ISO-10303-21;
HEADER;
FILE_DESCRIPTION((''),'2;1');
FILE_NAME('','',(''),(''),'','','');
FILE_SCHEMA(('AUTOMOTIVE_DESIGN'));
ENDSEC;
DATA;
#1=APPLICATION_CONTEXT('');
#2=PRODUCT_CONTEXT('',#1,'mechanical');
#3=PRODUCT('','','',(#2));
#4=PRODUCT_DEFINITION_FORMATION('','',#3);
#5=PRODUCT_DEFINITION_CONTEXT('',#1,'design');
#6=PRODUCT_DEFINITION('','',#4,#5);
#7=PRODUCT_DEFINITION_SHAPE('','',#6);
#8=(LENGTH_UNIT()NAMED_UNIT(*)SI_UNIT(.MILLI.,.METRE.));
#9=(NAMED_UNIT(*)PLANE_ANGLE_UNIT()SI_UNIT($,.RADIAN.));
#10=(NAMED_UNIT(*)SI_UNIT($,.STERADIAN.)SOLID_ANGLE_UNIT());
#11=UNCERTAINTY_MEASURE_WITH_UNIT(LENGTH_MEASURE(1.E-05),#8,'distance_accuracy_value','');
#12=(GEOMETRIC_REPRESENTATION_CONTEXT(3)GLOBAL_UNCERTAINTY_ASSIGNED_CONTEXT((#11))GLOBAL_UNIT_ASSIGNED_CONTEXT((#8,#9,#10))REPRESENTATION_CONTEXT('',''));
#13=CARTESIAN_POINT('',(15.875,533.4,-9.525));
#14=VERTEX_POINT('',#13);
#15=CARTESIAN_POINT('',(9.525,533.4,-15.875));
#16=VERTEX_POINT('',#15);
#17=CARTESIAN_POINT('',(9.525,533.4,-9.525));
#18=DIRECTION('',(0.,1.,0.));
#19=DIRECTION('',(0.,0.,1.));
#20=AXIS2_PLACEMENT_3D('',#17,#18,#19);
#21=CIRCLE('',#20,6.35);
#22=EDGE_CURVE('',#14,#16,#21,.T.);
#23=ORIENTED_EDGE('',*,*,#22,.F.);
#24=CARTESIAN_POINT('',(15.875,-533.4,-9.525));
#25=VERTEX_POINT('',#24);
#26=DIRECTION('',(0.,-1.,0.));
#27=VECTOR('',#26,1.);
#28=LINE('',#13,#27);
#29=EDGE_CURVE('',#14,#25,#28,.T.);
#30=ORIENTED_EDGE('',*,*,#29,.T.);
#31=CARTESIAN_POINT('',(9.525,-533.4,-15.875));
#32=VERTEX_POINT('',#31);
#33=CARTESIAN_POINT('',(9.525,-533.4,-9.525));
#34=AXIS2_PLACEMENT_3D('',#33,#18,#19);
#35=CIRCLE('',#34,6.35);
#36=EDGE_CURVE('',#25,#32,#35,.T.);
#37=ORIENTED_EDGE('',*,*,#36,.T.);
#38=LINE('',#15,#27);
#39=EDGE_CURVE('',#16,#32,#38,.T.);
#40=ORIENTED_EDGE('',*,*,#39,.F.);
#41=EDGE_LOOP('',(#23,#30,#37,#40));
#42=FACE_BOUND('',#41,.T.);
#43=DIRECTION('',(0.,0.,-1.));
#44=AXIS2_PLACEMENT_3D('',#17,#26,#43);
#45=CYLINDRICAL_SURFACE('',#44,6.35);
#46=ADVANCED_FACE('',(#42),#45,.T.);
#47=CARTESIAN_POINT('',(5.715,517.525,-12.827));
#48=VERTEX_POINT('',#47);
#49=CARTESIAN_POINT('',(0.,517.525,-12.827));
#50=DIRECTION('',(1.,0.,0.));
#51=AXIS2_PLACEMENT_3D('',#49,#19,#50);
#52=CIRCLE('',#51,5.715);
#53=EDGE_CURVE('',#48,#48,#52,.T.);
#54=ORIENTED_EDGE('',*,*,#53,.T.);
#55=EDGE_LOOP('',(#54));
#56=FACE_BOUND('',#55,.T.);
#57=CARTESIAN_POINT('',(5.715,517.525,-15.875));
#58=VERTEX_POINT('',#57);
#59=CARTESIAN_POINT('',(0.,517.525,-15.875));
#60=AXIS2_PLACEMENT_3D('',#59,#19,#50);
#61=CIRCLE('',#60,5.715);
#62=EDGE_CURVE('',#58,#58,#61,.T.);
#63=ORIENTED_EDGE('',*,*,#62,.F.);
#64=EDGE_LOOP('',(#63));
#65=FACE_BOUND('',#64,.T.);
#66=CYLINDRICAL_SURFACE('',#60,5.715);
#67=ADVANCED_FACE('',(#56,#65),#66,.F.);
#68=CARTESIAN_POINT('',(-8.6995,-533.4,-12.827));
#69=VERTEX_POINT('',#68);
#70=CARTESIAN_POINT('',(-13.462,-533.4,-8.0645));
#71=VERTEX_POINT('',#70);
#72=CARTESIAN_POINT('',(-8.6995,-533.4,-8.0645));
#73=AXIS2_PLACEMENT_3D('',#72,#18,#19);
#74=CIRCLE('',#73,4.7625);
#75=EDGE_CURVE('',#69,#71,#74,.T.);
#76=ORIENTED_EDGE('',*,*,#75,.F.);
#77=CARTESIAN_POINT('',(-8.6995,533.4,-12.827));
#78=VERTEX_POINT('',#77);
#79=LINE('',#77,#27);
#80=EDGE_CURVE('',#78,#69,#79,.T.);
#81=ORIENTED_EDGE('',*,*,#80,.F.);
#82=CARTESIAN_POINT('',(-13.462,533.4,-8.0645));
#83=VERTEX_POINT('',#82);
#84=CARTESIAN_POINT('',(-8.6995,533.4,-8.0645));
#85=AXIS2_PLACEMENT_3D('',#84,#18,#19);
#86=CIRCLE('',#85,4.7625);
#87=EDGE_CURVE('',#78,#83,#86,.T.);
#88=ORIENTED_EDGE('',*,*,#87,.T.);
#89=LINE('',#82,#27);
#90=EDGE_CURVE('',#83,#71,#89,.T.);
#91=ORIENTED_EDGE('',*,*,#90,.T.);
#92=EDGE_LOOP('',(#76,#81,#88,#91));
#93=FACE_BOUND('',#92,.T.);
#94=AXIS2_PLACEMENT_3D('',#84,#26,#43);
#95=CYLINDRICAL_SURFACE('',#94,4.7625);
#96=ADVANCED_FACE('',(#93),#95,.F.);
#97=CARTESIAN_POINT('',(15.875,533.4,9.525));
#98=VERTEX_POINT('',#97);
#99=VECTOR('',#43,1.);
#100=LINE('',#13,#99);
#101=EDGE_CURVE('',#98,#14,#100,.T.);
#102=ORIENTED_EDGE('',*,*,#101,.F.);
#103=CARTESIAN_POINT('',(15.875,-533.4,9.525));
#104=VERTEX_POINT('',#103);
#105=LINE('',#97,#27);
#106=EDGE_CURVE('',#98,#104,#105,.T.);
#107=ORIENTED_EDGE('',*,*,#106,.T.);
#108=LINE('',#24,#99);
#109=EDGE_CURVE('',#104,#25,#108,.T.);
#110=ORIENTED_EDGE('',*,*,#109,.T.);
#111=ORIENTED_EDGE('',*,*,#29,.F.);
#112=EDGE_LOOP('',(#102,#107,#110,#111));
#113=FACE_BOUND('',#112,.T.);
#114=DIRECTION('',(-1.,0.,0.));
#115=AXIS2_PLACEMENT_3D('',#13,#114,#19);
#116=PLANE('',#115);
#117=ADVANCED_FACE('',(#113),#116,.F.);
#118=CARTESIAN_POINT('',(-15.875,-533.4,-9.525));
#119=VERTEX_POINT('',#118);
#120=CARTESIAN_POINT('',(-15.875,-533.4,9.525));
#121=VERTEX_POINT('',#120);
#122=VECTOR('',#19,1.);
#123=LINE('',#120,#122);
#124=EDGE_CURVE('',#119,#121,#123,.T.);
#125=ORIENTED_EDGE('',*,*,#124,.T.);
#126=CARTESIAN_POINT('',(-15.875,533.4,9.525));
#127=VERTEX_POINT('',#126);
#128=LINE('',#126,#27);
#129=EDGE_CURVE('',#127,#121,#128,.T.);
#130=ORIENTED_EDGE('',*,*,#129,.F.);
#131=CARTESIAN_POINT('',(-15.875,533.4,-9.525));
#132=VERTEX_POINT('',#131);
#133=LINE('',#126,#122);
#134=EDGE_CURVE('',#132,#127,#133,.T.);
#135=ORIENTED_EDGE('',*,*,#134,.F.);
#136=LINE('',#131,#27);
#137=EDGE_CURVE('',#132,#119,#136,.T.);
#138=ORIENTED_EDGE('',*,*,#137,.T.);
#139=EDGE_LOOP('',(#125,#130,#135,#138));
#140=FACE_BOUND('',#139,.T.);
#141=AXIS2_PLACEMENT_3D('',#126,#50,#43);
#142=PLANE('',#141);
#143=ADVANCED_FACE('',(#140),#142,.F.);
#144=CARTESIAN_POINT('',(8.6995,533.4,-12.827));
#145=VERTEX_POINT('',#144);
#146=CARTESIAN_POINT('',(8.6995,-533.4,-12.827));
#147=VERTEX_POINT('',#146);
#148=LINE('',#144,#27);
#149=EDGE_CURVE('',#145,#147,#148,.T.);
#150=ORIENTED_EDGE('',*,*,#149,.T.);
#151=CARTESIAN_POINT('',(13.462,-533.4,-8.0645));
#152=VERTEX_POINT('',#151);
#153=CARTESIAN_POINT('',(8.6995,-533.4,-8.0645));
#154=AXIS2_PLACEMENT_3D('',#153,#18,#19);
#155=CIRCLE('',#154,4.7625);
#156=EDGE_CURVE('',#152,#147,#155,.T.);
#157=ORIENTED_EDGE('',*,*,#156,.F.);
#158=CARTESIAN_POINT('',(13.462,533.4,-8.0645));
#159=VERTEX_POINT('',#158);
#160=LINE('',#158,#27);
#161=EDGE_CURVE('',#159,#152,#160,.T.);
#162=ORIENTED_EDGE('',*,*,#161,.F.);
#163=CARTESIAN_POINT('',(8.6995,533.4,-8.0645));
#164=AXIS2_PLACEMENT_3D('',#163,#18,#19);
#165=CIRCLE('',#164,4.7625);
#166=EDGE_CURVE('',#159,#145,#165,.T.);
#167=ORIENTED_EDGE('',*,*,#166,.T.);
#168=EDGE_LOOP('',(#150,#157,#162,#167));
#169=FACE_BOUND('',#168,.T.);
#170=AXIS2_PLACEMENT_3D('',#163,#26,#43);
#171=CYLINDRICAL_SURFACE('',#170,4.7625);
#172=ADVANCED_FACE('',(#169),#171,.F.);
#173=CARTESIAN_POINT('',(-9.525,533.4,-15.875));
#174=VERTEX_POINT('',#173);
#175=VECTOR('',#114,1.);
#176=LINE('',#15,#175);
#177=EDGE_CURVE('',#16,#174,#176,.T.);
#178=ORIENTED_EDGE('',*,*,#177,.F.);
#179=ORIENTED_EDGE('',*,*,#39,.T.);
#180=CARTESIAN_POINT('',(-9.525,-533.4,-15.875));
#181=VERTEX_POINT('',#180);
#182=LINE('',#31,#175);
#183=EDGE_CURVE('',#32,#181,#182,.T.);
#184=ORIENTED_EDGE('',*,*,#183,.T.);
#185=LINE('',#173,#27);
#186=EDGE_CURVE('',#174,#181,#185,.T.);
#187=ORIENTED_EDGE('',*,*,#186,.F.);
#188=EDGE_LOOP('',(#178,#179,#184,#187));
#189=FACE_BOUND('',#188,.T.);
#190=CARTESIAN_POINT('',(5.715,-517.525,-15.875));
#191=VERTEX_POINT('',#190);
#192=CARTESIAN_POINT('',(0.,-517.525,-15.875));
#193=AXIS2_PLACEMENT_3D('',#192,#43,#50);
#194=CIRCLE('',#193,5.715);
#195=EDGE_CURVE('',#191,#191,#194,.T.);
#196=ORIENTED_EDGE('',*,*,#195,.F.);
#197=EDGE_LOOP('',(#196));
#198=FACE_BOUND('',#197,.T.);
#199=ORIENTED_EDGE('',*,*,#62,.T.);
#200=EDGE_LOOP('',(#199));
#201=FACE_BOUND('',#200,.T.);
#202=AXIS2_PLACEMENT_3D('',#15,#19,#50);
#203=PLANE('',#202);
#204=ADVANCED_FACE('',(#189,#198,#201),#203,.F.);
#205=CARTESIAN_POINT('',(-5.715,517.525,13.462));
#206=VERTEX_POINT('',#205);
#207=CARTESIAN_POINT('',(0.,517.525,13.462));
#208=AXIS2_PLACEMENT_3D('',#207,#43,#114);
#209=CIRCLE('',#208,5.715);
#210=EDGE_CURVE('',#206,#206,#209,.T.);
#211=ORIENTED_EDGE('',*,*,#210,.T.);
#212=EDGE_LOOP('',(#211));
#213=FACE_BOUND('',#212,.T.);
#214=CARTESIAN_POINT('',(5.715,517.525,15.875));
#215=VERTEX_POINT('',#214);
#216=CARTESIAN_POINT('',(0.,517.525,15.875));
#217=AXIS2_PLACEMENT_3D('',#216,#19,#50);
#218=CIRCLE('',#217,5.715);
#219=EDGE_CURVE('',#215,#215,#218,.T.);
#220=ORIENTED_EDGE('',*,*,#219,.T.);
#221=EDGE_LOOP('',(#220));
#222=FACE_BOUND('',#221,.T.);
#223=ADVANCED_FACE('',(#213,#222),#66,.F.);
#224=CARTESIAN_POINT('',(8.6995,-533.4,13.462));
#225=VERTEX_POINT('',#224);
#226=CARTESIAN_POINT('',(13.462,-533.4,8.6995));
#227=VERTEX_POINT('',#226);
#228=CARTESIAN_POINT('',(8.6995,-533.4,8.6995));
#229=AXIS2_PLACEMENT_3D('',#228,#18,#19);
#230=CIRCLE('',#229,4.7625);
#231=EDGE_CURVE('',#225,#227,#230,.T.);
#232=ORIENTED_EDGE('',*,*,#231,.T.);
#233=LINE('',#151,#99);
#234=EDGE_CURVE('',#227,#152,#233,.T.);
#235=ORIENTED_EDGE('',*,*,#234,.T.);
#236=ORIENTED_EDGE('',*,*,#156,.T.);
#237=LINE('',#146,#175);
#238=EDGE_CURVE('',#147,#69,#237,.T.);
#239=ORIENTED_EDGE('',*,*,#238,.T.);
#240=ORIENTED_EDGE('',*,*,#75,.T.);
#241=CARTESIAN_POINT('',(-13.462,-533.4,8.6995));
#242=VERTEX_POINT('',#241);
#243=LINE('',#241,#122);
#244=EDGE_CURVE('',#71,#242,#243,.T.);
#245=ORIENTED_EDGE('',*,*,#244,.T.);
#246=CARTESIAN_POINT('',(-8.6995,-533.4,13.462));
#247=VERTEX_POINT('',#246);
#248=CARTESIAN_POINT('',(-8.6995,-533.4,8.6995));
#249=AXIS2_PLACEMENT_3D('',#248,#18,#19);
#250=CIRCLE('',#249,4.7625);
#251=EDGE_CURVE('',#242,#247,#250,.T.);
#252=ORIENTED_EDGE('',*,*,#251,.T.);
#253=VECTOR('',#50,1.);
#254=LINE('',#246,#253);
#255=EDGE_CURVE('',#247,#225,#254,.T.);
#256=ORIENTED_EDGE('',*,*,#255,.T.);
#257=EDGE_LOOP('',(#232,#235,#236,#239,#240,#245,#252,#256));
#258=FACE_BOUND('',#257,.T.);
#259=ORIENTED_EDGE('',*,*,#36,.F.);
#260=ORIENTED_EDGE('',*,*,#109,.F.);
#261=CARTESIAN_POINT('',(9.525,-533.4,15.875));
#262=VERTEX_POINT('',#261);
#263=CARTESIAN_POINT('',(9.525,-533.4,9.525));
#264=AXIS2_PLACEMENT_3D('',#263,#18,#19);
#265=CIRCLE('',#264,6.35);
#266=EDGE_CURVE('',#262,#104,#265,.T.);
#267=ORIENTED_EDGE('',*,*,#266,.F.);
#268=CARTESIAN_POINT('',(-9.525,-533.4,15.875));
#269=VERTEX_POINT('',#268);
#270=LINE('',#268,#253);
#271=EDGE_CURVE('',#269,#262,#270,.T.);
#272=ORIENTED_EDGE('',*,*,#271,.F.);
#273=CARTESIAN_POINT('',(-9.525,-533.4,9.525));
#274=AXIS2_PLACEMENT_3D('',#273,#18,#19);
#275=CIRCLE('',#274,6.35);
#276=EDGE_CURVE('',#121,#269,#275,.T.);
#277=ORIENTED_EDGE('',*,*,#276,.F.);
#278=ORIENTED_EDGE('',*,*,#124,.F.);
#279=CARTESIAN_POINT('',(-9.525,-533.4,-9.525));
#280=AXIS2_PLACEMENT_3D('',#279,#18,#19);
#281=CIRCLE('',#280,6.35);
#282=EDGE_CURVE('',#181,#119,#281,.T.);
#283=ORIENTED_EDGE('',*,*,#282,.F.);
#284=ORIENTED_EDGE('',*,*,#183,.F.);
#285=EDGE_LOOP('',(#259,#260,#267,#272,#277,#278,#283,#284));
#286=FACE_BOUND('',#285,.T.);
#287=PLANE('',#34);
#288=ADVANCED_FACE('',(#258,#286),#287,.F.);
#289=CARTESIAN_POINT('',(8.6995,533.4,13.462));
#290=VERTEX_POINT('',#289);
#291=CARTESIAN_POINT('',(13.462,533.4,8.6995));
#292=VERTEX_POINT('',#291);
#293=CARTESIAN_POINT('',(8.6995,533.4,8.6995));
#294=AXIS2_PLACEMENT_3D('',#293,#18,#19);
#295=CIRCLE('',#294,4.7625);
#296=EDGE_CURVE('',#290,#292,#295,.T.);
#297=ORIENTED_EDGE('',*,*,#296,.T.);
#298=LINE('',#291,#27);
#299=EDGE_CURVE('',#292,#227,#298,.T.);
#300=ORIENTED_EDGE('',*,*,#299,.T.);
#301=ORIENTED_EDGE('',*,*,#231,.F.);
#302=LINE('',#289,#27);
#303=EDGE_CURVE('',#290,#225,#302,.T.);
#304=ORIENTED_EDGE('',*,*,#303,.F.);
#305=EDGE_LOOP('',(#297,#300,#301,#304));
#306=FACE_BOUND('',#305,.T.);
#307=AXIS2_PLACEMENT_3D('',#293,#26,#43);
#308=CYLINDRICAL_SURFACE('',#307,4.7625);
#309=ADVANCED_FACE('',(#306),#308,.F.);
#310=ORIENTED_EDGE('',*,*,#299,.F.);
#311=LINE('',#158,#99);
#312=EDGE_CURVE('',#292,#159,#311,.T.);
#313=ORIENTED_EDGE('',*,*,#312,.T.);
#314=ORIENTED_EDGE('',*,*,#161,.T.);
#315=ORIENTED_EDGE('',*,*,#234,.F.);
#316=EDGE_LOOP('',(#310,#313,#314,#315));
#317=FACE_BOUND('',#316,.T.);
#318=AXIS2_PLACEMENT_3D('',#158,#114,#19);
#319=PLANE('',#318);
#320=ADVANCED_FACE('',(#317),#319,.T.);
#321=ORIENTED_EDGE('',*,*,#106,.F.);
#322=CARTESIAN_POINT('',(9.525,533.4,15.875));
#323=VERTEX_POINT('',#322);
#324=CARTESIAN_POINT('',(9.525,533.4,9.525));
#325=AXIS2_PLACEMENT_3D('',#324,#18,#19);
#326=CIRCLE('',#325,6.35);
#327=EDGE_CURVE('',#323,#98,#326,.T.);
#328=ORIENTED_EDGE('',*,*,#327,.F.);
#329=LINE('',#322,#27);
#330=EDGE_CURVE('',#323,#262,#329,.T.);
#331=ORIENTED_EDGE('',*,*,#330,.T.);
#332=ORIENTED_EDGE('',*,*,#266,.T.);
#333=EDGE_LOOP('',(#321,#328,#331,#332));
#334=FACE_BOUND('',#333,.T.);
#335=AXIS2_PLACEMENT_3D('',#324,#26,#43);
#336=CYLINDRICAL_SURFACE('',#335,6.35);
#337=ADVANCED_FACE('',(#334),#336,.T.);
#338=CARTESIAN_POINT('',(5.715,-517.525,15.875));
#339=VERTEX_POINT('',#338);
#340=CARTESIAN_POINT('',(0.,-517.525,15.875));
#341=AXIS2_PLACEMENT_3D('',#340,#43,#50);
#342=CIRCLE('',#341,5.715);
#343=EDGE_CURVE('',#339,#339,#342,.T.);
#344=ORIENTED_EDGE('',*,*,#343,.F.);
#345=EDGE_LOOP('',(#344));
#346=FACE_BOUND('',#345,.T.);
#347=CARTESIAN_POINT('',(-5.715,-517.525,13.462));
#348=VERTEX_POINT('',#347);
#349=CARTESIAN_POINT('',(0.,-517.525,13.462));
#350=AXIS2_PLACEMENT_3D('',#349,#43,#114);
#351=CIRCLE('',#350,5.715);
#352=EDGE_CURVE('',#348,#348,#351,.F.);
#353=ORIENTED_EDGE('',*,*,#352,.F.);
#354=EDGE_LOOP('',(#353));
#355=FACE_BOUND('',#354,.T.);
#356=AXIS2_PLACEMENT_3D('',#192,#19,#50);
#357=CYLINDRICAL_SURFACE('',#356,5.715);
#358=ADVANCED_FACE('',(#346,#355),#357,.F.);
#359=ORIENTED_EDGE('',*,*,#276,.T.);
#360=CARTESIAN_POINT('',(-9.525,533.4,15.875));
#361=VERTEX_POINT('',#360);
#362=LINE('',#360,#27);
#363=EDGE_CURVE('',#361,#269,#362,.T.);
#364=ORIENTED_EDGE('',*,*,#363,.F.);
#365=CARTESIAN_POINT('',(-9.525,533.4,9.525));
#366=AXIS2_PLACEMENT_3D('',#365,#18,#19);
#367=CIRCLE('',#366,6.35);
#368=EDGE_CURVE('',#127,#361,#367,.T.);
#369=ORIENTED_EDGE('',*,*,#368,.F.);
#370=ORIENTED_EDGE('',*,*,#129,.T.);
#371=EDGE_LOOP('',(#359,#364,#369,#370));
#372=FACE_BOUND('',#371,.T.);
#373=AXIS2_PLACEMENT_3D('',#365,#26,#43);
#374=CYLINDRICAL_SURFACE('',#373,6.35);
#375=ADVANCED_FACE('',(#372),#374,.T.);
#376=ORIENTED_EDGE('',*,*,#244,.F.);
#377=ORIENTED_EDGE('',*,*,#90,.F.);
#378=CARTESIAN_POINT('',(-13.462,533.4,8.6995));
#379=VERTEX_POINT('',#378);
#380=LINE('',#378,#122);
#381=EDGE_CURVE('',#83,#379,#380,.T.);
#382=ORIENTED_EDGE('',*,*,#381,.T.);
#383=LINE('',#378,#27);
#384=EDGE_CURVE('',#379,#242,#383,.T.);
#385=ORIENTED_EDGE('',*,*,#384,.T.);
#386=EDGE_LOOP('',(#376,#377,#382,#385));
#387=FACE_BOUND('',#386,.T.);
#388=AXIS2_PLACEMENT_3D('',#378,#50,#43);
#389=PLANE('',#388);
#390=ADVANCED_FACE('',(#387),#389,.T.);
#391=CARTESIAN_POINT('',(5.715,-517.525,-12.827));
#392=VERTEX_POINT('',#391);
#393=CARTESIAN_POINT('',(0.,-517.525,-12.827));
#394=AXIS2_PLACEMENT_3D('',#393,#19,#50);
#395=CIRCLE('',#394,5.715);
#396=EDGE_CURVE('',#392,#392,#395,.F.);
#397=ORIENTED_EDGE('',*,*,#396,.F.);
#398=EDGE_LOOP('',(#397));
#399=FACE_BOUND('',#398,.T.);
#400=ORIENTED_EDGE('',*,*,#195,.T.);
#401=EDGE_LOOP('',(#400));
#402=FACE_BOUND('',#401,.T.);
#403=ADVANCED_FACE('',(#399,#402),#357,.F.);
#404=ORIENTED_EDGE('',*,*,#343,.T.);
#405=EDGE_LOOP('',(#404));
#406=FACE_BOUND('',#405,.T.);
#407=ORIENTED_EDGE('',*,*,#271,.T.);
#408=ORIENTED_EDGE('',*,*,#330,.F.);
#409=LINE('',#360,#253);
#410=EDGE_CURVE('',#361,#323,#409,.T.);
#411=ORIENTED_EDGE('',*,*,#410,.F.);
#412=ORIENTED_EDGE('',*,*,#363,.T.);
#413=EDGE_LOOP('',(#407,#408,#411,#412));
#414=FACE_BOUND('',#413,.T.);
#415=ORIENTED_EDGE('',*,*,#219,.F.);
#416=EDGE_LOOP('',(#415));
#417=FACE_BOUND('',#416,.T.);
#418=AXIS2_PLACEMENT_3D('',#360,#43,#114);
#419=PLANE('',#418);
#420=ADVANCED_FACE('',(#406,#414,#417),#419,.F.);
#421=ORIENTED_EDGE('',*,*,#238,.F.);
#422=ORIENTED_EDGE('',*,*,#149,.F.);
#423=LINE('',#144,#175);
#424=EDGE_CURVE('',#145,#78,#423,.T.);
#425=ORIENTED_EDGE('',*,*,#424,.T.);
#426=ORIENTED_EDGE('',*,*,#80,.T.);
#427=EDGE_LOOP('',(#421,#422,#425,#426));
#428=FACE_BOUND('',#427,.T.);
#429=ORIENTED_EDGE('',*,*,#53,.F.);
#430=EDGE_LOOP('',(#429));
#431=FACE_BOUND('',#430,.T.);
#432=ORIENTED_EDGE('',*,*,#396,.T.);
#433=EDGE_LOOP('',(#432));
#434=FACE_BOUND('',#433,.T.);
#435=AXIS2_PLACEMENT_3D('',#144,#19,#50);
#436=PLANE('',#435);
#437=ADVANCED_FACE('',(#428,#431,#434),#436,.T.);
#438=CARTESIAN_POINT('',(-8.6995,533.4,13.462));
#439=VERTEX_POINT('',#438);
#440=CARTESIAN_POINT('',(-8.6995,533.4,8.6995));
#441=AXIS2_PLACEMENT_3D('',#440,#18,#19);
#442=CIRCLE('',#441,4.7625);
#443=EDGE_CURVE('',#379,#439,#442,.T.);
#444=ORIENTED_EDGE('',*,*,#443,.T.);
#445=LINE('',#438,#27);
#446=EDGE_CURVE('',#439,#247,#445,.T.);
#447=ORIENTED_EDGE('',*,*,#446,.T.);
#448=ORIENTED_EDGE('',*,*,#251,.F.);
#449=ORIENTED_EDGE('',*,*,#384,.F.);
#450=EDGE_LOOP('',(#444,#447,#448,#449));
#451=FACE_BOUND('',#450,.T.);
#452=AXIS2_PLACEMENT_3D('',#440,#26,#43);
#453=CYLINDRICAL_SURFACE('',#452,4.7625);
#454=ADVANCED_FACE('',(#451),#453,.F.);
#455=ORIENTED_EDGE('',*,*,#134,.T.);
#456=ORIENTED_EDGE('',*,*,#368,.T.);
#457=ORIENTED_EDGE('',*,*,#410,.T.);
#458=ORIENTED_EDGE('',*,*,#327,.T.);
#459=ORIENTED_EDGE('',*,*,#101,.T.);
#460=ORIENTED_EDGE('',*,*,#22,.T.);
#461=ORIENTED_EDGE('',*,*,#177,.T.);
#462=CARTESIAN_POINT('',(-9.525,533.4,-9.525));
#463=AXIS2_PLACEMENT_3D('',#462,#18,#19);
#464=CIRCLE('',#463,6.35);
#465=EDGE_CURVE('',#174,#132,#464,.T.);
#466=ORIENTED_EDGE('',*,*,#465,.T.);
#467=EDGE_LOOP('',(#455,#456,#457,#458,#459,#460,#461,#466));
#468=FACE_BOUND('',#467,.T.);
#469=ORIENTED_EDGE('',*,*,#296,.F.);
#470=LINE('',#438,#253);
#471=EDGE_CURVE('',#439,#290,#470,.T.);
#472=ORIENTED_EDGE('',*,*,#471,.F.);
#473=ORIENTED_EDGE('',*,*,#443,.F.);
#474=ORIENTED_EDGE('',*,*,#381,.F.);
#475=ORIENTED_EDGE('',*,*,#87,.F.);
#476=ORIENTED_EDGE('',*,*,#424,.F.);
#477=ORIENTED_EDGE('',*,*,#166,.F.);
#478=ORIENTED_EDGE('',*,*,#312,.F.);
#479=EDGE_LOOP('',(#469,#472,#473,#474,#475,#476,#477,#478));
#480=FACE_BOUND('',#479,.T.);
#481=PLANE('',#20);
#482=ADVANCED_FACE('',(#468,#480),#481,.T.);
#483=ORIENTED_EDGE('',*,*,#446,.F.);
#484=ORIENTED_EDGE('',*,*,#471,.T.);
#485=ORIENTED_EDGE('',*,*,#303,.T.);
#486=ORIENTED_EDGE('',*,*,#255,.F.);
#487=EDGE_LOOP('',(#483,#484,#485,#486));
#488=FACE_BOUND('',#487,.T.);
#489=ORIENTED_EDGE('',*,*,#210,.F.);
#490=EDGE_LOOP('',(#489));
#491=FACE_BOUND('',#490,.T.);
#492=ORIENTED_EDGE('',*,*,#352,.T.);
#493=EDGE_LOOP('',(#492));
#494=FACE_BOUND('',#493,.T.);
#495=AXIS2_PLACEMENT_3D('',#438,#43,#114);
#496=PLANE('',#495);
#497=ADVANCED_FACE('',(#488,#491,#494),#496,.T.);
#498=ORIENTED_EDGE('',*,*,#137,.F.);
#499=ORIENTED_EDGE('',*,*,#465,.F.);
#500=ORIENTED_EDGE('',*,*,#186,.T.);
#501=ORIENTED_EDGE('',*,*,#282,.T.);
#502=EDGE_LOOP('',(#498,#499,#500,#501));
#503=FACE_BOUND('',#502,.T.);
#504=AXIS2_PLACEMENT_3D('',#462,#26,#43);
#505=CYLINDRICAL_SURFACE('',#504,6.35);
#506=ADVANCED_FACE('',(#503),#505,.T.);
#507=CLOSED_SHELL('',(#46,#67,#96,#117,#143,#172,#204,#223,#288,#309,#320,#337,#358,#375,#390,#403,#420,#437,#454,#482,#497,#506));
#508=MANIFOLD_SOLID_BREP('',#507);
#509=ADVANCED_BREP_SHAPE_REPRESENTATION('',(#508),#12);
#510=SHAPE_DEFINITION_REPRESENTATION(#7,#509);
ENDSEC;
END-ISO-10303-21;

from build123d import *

# Parameters (mm, degrees)
BOSS_EXTRUDE1_DEPTH = 533.4
SKETCH2_R           = 5.715
CUT_EXTRUDE1_DEPTH  = 32.75


with BuildPart() as part:
    # Sketch1 → Boss-Extrude1 (new body, symmetric)
    with BuildSketch(Plane(origin=(0, 0, 0), x_dir=(1, 0, 0), z_dir=(0, 1, 0))):
        with BuildLine():
            Line((-9.525, -15.875), (9.525, -15.875))
            ThreePointArc((9.525, -15.875), (14.015128061, -14.015128061), (15.875, -9.525))
            Line((15.875, -9.525), (15.875, 9.525))
            ThreePointArc((15.875, 9.525), (14.015128061, 14.015128061), (9.525, 15.875))
            Line((9.525, 15.875), (-9.525, 15.875))
            ThreePointArc((-9.525, 15.875), (-14.015128061, 14.015128061), (-15.875, 9.525))
            Line((-15.875, 9.525), (-15.875, -9.525))
            ThreePointArc((-15.875, -9.525), (-14.015128061, -14.015128061), (-9.525, -15.875))
        make_face()
        with BuildLine():
            Line((-8.6995, -13.462), (8.6995, -13.462))
            ThreePointArc((8.6995, -13.462), (12.067096045, -12.067096045), (13.462, -8.6995))
            Line((13.462, -8.6995), (13.462, 8.0645))
            ThreePointArc((13.462, 8.0645), (12.067096045, 11.432096045), (8.6995, 12.827))
            Line((8.6995, 12.827), (-8.6995, 12.827))
            ThreePointArc((-8.6995, 12.827), (-12.067096045, 11.432096045), (-13.462, 8.0645))
            Line((-13.462, 8.0645), (-13.462, -8.6995))
            ThreePointArc((-13.462, -8.6995), (-12.067096045, -12.067096045), (-8.6995, -13.462))
        make_face(mode=Mode.SUBTRACT)
    extrude(amount=BOSS_EXTRUDE1_DEPTH, both=True)

    # Sketch2 → Cut-Extrude1 (cut, through all)
    with BuildSketch(Plane.XY.offset(15.875)):
        with Locations((0, 517.525)):
            Circle(SKETCH2_R)
    cut_extrude1 = extrude(amount=-CUT_EXTRUDE1_DEPTH, mode=Mode.SUBTRACT)

    # Mirror1: Cut-Extrude1 across plane
    add(cut_extrude1.mirror(Plane.ZX), mode=Mode.SUBTRACT)


solid = part.part
